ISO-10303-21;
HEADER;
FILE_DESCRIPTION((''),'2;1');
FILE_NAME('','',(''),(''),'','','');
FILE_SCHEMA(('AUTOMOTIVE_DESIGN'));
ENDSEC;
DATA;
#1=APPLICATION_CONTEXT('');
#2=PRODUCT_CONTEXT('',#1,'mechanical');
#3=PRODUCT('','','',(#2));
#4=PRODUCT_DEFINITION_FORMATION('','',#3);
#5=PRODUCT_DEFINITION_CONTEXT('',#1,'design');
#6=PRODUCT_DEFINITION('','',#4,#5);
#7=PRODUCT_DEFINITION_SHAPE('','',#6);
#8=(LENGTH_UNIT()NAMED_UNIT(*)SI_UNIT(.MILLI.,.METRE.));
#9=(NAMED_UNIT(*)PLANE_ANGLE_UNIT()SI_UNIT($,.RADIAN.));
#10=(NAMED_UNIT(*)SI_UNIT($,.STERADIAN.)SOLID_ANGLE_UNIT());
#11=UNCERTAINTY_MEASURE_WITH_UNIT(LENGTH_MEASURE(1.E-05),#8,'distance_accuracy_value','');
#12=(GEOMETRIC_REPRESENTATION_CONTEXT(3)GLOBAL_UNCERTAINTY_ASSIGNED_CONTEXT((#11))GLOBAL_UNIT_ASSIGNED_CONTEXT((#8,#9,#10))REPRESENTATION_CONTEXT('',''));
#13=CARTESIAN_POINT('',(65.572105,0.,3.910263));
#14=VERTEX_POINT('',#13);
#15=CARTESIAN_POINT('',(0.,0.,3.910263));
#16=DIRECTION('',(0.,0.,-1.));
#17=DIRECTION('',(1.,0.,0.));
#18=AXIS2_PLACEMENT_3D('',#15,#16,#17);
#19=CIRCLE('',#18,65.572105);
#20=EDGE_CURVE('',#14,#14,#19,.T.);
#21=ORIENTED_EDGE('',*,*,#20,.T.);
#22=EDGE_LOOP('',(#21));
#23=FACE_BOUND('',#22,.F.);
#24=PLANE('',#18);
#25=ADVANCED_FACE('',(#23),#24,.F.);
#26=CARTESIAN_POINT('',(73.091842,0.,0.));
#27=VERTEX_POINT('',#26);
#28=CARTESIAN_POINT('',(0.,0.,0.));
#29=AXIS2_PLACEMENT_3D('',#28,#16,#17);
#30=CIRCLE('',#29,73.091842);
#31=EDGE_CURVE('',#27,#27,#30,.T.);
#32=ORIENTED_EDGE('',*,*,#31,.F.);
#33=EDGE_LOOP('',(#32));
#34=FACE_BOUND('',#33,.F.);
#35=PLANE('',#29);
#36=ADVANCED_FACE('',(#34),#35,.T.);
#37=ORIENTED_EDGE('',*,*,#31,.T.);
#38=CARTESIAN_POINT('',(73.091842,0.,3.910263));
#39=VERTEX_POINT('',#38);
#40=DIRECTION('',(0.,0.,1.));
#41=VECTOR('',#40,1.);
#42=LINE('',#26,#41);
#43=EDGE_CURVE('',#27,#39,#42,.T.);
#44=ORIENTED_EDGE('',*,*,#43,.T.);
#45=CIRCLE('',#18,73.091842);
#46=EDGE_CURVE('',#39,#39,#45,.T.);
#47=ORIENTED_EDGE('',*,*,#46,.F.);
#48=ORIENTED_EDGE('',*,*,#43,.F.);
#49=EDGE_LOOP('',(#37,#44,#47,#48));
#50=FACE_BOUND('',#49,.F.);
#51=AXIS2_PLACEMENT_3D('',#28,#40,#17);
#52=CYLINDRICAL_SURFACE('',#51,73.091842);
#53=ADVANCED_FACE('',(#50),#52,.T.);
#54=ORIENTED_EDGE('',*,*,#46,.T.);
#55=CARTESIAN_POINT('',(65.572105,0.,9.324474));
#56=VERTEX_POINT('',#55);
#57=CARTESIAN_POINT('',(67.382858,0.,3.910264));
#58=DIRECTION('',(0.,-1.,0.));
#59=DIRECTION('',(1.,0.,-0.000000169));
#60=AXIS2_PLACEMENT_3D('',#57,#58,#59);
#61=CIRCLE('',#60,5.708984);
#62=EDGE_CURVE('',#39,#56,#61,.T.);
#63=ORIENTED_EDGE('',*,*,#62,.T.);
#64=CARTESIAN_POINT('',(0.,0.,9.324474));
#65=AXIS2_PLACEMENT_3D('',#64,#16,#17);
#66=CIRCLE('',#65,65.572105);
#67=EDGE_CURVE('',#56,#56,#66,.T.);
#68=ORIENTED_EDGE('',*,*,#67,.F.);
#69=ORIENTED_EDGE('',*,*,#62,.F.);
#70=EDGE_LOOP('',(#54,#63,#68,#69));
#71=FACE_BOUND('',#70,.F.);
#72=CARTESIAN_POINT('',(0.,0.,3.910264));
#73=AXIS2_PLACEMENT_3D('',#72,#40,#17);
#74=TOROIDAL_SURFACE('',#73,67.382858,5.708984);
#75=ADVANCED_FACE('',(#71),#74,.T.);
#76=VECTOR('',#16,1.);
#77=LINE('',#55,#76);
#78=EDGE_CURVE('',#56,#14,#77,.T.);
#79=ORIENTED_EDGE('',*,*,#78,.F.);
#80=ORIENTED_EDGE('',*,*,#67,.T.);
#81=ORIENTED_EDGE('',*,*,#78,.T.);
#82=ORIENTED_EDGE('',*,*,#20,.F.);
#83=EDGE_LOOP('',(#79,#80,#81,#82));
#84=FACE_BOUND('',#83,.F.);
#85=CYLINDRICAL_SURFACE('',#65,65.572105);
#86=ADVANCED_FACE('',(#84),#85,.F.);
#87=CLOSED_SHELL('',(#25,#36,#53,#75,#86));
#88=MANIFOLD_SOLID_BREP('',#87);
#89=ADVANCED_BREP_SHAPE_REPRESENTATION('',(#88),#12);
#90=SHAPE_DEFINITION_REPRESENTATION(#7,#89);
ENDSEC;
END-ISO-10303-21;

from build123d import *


with BuildPart() as f1:
    # F0 (on Front) → F1 (revolve)
    with BuildSketch(Plane.XZ):
        with BuildLine():
            Line((0, 3.910263), (0, 0))
            Line((0, 0), (73.091842, 0))
            Line((73.091842, 0), (73.091842, 3.910263))
            ThreePointArc((73.091842, 3.910263), (70.718645, 8.5433), (65.572105, 9.324474))
            Line((65.572105, 9.324474), (65.572105, 3.910263))
            Line((65.572105, 3.910263), (0, 3.910263))
        make_face()
    revolve(axis=Axis((0, 0, 1.955132), (0, 0, -1)))


solid = f1.part
